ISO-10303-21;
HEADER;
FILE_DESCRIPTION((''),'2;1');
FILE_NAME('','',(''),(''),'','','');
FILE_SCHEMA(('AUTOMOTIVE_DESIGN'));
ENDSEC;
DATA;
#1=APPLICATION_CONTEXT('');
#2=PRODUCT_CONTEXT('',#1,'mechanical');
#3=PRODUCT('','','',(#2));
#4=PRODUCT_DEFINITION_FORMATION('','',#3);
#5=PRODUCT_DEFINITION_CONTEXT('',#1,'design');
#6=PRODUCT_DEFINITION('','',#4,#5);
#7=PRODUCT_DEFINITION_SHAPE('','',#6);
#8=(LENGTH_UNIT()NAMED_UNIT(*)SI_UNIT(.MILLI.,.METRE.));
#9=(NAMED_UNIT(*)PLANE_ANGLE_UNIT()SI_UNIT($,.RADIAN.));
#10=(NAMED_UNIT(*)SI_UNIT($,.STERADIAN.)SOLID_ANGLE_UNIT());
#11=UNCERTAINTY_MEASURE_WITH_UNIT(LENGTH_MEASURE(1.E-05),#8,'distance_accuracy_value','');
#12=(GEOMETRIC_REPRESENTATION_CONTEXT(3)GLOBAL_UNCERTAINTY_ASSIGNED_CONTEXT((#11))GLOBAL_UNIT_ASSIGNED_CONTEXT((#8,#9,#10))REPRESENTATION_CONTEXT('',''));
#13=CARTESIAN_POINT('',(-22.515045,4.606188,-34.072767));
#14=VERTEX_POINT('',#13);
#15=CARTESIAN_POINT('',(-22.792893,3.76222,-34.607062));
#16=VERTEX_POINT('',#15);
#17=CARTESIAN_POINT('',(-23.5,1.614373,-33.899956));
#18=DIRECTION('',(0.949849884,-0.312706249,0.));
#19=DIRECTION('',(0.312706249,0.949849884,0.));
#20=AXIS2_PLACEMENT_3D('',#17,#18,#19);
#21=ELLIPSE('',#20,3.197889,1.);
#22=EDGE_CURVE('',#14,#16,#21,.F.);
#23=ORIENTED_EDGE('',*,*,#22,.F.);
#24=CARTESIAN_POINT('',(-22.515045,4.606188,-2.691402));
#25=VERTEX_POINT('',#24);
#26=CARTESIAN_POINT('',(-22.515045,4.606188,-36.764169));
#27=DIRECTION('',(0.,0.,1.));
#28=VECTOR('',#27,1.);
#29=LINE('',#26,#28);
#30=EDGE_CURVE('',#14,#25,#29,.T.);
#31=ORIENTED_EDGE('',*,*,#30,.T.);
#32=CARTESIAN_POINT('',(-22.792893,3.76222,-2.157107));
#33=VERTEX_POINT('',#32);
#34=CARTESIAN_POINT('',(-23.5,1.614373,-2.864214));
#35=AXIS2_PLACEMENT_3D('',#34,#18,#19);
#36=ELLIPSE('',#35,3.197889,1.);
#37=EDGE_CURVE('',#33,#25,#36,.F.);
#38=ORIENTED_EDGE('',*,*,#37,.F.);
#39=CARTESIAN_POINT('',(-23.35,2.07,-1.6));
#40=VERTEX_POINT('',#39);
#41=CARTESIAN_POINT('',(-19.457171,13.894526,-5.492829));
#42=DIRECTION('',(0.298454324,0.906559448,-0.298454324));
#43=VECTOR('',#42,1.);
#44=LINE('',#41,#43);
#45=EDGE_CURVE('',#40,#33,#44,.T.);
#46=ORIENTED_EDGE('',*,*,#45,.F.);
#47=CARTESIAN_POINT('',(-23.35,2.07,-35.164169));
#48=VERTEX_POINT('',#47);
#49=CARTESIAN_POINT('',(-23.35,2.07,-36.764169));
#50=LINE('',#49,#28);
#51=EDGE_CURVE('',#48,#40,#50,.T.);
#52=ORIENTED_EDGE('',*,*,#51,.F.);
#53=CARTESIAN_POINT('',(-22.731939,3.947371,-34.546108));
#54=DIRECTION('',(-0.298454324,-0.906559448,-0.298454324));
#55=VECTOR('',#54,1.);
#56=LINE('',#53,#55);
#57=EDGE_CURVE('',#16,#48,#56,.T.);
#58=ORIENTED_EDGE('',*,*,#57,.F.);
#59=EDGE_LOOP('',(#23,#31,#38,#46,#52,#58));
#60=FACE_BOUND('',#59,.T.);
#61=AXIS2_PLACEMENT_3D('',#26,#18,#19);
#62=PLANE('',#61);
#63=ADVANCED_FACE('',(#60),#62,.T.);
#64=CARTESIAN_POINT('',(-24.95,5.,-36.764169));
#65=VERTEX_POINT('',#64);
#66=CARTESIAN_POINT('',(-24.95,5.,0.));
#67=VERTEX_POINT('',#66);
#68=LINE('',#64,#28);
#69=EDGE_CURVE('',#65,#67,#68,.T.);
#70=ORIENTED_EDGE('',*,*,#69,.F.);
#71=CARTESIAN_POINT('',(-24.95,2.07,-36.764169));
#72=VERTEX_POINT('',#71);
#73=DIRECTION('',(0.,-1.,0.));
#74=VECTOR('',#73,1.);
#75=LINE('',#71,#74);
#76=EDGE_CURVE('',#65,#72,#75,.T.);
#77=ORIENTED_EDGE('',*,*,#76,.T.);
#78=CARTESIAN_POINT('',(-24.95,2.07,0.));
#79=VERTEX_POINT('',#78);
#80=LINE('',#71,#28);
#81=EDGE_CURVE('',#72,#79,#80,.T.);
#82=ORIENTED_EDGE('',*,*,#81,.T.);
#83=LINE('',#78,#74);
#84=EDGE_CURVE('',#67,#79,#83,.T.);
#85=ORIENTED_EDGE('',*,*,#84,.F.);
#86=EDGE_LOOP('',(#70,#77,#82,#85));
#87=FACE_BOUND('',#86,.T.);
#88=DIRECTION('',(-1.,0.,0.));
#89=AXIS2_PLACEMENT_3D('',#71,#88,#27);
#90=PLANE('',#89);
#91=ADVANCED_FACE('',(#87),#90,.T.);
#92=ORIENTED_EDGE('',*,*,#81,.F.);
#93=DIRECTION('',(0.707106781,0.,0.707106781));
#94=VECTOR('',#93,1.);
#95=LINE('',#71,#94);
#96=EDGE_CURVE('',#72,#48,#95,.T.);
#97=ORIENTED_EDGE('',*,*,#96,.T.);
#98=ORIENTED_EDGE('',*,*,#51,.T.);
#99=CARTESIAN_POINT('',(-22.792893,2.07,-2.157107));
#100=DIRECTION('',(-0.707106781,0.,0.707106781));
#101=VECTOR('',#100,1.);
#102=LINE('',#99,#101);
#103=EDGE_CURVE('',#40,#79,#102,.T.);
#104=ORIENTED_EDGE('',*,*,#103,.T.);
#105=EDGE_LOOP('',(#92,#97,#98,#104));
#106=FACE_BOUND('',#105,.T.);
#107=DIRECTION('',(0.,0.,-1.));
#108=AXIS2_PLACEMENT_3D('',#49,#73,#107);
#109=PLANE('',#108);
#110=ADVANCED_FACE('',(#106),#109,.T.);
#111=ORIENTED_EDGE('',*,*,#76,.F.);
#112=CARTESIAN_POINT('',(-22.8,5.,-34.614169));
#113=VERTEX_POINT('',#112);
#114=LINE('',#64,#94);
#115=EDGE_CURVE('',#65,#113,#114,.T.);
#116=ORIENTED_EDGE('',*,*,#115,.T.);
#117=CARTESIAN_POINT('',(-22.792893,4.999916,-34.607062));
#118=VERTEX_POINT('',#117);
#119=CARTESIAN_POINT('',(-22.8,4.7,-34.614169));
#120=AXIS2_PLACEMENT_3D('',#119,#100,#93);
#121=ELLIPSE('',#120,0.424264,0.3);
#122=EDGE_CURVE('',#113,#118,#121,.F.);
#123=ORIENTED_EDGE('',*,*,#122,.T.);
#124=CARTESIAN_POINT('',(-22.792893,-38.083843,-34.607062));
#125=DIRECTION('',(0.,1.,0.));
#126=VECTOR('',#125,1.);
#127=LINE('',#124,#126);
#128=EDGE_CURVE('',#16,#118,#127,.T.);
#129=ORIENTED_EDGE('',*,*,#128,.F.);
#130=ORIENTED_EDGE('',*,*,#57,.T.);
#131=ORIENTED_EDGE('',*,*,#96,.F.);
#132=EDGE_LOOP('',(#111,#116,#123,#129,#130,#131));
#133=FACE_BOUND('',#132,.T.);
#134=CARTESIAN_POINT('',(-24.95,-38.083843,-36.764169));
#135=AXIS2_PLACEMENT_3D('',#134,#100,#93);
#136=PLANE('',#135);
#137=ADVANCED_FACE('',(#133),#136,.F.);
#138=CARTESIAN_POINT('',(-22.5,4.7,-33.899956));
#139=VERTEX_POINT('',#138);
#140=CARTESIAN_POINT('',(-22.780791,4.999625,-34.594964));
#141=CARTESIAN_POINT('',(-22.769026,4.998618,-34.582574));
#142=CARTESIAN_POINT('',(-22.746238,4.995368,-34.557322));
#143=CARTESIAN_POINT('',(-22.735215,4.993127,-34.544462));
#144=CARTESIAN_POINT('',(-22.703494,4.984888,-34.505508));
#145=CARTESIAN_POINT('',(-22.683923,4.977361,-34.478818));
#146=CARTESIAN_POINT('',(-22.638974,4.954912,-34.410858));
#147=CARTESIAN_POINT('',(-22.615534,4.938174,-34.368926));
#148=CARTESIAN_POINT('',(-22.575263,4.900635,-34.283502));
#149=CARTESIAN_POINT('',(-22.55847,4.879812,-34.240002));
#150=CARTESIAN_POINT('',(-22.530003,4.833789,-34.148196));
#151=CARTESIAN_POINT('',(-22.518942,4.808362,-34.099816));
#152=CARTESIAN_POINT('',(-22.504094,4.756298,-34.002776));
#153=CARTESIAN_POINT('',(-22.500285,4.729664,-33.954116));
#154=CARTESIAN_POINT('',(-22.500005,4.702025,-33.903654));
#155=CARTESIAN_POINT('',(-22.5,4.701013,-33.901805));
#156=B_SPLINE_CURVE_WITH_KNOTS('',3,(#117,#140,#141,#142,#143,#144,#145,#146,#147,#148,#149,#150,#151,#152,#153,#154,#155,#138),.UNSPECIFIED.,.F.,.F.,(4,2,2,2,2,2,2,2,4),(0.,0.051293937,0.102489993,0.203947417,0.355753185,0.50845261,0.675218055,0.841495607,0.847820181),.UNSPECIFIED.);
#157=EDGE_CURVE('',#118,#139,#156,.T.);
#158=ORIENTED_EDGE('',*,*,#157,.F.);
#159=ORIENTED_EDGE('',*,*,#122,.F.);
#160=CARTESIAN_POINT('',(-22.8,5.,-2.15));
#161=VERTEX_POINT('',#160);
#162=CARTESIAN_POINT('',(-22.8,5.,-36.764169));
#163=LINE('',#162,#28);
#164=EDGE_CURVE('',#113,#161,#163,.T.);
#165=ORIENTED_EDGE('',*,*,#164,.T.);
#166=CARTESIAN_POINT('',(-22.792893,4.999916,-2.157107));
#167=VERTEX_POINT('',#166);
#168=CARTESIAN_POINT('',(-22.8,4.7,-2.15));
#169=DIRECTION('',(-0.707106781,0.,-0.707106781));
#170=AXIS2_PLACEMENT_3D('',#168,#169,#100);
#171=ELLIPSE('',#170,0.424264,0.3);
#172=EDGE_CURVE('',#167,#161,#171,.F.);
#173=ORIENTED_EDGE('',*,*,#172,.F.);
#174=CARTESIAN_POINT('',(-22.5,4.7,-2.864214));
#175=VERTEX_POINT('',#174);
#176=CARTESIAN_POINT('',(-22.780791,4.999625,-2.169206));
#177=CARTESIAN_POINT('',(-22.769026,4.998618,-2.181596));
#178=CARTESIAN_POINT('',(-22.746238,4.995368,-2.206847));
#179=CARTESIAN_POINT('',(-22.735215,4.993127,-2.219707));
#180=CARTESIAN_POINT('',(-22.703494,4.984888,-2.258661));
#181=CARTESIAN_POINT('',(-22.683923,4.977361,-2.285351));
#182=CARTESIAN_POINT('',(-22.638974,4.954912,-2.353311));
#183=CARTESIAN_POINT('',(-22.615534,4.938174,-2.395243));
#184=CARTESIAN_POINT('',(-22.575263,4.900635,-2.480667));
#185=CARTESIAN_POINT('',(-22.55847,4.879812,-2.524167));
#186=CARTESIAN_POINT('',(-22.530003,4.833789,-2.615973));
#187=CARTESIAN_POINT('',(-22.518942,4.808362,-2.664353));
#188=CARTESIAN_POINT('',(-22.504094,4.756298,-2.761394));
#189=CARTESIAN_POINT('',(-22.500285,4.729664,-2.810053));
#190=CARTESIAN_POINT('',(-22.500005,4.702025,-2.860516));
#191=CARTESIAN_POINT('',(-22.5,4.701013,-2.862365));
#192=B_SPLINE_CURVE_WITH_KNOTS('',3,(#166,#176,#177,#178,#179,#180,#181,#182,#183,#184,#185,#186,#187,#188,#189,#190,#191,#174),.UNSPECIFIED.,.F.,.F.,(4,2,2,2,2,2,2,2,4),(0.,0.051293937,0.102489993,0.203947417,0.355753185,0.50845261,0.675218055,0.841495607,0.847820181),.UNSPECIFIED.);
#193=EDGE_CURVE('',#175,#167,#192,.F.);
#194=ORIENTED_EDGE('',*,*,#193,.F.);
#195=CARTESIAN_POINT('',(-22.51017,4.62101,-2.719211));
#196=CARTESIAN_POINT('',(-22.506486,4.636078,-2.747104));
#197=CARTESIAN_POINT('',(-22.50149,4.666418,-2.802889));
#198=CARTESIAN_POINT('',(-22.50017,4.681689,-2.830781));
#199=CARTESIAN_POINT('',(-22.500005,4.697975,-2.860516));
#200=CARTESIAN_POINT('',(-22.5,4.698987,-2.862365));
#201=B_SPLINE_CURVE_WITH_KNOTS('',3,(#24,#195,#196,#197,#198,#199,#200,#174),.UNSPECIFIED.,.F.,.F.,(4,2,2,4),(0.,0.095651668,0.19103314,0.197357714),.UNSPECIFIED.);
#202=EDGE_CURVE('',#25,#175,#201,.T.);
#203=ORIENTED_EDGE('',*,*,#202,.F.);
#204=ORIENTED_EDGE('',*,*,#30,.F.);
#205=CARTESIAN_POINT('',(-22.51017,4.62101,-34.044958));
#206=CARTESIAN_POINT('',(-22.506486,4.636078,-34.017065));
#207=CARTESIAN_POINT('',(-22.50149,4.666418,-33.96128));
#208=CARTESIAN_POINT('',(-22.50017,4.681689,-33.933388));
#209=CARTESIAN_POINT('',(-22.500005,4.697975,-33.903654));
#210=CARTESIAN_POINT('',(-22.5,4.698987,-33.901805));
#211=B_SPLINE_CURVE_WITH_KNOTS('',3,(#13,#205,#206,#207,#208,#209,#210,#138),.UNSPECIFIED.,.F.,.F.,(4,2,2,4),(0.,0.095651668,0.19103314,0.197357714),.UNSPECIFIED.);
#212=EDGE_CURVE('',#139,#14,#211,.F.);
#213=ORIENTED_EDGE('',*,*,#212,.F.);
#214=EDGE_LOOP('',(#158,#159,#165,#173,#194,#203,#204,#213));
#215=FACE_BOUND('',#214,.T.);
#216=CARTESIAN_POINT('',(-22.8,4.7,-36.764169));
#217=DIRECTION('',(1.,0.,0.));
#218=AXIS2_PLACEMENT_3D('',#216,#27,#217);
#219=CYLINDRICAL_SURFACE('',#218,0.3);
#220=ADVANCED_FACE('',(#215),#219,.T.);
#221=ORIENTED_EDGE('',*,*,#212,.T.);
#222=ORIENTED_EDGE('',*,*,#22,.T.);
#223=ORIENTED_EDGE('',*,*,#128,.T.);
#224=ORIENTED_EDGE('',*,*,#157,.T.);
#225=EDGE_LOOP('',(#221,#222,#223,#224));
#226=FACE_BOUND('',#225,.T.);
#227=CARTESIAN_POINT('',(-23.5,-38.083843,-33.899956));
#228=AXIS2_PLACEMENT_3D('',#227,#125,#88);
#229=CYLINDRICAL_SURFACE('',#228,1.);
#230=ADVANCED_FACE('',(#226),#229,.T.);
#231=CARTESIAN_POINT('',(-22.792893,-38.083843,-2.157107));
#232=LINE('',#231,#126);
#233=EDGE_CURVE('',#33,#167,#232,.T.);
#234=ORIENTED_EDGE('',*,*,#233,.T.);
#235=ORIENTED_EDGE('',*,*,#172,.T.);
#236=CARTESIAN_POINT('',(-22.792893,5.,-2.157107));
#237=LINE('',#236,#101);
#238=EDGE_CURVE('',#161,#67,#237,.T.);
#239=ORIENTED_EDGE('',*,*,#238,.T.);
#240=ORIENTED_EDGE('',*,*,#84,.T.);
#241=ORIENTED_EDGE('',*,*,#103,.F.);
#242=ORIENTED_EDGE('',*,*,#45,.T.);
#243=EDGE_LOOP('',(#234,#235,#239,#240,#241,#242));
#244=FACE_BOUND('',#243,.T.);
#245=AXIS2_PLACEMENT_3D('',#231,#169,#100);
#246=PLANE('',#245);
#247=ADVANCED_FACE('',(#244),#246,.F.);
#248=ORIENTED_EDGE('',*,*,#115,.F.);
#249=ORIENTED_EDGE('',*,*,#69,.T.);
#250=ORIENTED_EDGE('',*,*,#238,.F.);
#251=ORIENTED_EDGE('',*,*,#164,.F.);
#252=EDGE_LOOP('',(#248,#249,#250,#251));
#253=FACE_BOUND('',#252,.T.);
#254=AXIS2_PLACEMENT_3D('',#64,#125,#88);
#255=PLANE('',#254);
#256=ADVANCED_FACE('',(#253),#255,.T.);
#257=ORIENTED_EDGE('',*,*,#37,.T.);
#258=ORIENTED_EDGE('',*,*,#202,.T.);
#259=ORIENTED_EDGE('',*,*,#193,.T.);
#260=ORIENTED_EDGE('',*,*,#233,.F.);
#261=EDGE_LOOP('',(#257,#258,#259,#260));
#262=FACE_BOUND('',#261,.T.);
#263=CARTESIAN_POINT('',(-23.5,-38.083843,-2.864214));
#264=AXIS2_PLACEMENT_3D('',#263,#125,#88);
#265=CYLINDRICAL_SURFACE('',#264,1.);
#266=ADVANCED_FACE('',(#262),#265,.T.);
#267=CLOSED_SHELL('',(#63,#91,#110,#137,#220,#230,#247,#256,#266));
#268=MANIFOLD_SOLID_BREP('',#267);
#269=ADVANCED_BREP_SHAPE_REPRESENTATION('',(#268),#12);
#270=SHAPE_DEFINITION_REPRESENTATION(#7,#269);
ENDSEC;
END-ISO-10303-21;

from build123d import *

# Parameters (mm, degrees)
SALIENTE_EXTRUIR1_DEPTH = 36.76416917
CORTAR_EXTRUIR1_REACH   = 46.527


with BuildPart() as part:
    # Croquis1 → Saliente-Extruir1 (new body)
    with BuildSketch(Plane.XY):
        with BuildLine():
            Line((-24.95, 2.07), (-24.95, 5))
            Line((-24.95, 5), (-22.8, 5))
            ThreePointArc((-22.8, 5), (-22.55695313, 4.875864205), (-22.515045035, 4.606188125))
            Line((-22.515045035, 4.606188125), (-23.35, 2.07))
            Line((-23.35, 2.07), (-24.95, 2.07))
        make_face()
    extrude(amount=-SALIENTE_EXTRUIR1_DEPTH)

    # Cortar-Extruir1: up to this face of the body (flat: up to its plane)
    cortar_extruir1_end = Plane(part.part.faces().sort_by_distance((-24.15, 2.07, -18.382084585))[0])
    # Croquis3 → Cortar-Extruir1 (cut, up to the picked face)
    with BuildSketch(Plane(origin=(0, 5, 0), x_dir=(1, 0, 0), z_dir=(0, 1, 0)), mode=Mode.PRIVATE) as cortar_extruir1_sk1:
        with BuildLine():
            Line((-24.95, 36.76416917), (-22.792893219, 34.607062389))
            ThreePointArc((-22.792893219, 34.607062389), (-22.576120467, 34.28263904), (-22.5, 33.899955608))
            Line((-22.5, 33.899955608), (-22.5, 2.864213562))
            ThreePointArc((-22.5, 2.864213562), (-22.576120467, 2.48153013), (-22.792893219, 2.157106781))
            Line((-22.792893219, 2.157106781), (-24.95, 0))
            Line((-24.95, 0), (-24.95, -1.353882683))
            Line((-24.95, -1.353882683), (-20.676224188, -1.353882683))
            Line((-20.676224188, -1.353882683), (-20.676224188, 38.571872723))
            Line((-20.676224188, 38.571872723), (-24.95, 38.571872723))
            Line((-24.95, 38.571872723), (-24.95, 36.76416917))
        make_face()
    cortar_extruir1_tool1 = split(extrude(cortar_extruir1_sk1.sketch, amount=-CORTAR_EXTRUIR1_REACH, mode=Mode.PRIVATE), bisect_by=cortar_extruir1_end, keep=Keep.BOTH, mode=Mode.PRIVATE)
    add(cortar_extruir1_tool1.solids().sort_by(Axis((-21.899514, 5, -18.829145), (0, -1, 0)))[0], mode=Mode.SUBTRACT)


solid = part.part
